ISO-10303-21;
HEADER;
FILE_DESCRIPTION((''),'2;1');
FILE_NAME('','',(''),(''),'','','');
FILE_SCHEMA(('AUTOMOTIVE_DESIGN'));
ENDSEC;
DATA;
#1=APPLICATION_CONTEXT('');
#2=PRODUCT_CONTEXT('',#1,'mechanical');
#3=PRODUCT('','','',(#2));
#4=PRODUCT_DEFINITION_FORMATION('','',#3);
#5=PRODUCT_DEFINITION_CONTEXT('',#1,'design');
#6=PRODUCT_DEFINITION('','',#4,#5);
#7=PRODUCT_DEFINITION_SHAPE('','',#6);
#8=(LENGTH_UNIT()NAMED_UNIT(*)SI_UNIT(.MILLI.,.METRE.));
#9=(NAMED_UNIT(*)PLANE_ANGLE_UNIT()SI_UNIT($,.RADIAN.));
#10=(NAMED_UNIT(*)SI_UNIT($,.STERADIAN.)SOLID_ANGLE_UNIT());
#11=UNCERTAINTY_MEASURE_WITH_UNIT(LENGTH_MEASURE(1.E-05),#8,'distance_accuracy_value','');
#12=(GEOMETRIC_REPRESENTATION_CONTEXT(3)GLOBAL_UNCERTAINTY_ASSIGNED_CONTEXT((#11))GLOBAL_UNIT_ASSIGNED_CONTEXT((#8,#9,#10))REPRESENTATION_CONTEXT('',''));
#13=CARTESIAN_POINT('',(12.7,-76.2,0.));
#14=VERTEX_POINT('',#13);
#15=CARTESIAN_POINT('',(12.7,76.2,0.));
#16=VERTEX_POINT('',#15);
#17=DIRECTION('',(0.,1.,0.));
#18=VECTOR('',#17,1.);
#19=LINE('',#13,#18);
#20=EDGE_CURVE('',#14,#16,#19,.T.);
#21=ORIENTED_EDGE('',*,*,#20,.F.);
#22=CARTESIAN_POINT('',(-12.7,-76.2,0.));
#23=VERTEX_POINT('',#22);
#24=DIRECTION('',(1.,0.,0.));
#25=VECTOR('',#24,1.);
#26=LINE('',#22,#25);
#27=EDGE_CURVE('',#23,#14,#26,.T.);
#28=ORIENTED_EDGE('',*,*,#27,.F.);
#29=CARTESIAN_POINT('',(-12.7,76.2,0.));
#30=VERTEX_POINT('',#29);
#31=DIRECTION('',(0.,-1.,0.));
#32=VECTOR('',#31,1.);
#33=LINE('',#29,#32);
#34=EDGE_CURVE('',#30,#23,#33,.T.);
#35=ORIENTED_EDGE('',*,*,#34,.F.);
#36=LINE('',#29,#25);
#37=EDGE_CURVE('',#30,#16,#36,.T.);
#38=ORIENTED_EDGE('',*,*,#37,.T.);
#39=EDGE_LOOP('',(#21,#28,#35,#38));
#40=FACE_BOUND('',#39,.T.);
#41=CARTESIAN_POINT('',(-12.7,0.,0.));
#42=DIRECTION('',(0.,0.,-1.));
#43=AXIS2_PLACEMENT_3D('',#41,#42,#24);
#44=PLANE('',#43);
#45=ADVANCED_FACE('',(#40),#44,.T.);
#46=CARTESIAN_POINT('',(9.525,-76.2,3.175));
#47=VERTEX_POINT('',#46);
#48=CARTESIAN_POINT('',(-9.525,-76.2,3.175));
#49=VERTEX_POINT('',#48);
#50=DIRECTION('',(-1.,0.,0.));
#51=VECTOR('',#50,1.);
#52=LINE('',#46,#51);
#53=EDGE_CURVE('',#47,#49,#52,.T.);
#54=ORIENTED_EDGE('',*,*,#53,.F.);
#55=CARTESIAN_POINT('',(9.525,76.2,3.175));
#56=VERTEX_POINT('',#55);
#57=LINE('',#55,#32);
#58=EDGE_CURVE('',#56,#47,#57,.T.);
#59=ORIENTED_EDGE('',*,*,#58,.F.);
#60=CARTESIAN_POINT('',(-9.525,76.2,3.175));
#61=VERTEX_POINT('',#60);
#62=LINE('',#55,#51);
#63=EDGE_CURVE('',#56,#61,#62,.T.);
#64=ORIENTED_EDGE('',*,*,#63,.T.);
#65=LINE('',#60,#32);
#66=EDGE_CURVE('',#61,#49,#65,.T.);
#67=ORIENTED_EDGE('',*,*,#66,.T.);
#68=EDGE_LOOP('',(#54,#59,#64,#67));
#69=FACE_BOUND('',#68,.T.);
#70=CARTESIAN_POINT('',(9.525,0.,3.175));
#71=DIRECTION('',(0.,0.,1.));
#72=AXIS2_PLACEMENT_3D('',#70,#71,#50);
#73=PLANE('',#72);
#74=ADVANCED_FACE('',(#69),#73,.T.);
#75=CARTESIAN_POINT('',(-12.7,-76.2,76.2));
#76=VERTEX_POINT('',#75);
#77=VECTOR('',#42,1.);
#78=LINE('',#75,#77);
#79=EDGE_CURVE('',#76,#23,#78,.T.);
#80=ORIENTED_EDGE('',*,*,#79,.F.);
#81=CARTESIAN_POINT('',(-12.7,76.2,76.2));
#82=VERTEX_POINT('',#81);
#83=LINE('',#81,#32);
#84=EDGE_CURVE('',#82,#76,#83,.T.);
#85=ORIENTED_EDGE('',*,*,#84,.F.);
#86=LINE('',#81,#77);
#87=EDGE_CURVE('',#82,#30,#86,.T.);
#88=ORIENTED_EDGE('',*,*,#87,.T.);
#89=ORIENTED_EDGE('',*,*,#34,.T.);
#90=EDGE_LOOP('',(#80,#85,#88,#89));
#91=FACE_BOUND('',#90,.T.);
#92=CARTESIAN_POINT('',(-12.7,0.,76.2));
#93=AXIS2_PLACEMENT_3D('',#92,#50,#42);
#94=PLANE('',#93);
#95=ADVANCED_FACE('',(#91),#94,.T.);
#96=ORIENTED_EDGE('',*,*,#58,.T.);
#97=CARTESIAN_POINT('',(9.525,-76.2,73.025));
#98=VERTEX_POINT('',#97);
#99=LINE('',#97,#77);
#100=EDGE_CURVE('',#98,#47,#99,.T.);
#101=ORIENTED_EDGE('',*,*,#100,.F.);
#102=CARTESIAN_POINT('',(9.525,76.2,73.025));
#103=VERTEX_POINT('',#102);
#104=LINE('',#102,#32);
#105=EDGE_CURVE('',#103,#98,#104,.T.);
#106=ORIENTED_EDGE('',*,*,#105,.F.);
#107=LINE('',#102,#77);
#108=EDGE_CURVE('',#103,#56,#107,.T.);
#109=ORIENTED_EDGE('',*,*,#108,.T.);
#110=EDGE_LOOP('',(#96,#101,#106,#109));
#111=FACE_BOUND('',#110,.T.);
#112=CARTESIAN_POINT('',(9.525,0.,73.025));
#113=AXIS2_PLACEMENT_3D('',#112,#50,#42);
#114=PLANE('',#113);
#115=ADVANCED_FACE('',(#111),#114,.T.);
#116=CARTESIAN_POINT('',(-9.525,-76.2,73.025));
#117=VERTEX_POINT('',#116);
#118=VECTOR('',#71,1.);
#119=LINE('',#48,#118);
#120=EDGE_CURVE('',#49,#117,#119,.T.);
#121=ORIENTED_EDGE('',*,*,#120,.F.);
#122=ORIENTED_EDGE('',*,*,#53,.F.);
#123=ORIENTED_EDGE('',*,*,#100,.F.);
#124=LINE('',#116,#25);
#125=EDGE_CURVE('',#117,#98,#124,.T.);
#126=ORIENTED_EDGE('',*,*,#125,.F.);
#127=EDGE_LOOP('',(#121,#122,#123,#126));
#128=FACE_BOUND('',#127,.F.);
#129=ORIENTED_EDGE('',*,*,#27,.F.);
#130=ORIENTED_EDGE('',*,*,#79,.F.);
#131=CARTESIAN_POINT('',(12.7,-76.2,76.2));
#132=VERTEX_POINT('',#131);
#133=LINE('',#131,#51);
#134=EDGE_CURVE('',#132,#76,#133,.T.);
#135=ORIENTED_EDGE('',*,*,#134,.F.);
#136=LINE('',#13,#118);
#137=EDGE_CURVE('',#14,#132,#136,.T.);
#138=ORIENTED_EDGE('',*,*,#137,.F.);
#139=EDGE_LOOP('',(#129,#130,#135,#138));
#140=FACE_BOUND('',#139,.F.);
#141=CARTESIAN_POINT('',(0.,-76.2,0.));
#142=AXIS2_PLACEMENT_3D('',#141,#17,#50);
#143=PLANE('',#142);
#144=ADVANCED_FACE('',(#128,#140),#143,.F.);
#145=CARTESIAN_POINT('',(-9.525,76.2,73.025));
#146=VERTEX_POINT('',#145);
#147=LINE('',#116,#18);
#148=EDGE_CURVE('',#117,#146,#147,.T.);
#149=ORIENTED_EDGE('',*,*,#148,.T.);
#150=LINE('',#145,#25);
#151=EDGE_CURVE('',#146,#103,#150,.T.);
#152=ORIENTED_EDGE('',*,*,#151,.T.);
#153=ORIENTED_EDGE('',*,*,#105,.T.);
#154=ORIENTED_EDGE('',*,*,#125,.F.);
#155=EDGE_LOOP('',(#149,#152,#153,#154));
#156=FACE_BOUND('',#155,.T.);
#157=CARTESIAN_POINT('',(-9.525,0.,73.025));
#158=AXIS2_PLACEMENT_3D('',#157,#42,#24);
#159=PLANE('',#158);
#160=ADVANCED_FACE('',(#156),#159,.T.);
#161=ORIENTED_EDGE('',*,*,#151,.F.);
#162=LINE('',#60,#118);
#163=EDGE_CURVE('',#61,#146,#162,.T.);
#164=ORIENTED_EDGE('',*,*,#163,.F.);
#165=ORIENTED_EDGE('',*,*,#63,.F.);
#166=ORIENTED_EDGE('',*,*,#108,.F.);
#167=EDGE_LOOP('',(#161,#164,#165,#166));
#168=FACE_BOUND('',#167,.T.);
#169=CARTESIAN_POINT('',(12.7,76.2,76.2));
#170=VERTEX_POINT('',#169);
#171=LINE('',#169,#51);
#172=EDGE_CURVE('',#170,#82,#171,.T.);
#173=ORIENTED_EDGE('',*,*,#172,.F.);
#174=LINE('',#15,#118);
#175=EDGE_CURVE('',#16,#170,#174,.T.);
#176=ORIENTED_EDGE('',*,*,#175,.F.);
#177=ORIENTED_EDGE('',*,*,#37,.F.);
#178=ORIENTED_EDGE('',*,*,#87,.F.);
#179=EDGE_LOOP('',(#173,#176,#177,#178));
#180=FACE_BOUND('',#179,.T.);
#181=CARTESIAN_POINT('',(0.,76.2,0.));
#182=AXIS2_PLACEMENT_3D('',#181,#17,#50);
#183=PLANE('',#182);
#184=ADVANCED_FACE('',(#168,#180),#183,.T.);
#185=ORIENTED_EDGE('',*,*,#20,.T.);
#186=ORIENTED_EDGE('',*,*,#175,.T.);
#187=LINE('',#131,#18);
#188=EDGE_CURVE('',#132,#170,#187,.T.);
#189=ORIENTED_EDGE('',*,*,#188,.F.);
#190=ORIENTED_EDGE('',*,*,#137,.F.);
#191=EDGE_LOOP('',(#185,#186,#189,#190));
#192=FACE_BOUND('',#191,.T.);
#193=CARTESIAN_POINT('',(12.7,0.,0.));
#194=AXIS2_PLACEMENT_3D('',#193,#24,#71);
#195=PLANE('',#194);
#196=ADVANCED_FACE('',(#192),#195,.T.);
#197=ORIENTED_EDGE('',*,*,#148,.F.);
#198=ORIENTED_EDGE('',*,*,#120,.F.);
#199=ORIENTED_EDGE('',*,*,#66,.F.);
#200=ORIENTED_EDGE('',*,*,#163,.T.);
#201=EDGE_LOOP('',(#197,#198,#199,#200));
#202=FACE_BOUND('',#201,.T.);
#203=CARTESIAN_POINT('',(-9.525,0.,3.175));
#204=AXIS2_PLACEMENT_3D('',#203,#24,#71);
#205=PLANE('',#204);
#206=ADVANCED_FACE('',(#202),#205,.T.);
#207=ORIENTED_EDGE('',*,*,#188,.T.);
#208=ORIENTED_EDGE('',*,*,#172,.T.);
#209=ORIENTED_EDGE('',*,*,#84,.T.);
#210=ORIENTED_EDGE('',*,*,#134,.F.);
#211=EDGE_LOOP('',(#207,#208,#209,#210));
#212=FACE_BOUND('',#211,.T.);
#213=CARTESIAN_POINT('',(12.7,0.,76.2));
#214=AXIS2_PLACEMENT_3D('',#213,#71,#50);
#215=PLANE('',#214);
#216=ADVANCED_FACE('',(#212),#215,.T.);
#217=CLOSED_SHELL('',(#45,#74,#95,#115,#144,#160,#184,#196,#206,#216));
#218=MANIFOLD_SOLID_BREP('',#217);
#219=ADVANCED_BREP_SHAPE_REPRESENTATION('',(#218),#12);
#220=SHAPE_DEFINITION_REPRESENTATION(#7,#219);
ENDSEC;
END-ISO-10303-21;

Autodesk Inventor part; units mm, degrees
ref_plane "YZ Plane" through (0, 0, 0) normal (1, 0, 0) x (0, 1, 0)
ref_plane "XZ Plane" through (0, 0, 0) normal (0, 1, 0) x (-1, 0, 0)
ref_plane "XY Plane" through (0, 0, 0) normal (0, 0, 1) x (1, 0, 0)
sketch "Sketch1" plane through (0, 0, 0) normal (0, 1, 0) x (-1, 0, 0)
  line L0 (-12.7, 76.2) -> (12.7, 76.2)
  line L1 (12.7, 76.2) -> (12.7, 0)
  line L2 (12.7, 0) -> (-12.7, 0)
  line L3 (-12.7, 0) -> (-12.7, 76.2)
  line L4 (9.525, 73.025) -> (-9.525, 73.025)
  line L5 (-9.525, 73.025) -> (-9.525, 3.175)
  line L6 (-9.525, 3.175) -> (9.525, 3.175)
  line L7 (9.525, 3.175) -> (9.525, 73.025)
  point P0 (0, 0)
  dimension "d0" = 25.4
  dimension "d1" = 76.2
  dimension "d2" = 0
  dimension "d3" = 12.7
  dimension "d4" = 3.175
extrude "Extrusion1" add sketch "Sketch1" along normal mid plane 152.4
properties part number "1x3 StandIn-2021"
